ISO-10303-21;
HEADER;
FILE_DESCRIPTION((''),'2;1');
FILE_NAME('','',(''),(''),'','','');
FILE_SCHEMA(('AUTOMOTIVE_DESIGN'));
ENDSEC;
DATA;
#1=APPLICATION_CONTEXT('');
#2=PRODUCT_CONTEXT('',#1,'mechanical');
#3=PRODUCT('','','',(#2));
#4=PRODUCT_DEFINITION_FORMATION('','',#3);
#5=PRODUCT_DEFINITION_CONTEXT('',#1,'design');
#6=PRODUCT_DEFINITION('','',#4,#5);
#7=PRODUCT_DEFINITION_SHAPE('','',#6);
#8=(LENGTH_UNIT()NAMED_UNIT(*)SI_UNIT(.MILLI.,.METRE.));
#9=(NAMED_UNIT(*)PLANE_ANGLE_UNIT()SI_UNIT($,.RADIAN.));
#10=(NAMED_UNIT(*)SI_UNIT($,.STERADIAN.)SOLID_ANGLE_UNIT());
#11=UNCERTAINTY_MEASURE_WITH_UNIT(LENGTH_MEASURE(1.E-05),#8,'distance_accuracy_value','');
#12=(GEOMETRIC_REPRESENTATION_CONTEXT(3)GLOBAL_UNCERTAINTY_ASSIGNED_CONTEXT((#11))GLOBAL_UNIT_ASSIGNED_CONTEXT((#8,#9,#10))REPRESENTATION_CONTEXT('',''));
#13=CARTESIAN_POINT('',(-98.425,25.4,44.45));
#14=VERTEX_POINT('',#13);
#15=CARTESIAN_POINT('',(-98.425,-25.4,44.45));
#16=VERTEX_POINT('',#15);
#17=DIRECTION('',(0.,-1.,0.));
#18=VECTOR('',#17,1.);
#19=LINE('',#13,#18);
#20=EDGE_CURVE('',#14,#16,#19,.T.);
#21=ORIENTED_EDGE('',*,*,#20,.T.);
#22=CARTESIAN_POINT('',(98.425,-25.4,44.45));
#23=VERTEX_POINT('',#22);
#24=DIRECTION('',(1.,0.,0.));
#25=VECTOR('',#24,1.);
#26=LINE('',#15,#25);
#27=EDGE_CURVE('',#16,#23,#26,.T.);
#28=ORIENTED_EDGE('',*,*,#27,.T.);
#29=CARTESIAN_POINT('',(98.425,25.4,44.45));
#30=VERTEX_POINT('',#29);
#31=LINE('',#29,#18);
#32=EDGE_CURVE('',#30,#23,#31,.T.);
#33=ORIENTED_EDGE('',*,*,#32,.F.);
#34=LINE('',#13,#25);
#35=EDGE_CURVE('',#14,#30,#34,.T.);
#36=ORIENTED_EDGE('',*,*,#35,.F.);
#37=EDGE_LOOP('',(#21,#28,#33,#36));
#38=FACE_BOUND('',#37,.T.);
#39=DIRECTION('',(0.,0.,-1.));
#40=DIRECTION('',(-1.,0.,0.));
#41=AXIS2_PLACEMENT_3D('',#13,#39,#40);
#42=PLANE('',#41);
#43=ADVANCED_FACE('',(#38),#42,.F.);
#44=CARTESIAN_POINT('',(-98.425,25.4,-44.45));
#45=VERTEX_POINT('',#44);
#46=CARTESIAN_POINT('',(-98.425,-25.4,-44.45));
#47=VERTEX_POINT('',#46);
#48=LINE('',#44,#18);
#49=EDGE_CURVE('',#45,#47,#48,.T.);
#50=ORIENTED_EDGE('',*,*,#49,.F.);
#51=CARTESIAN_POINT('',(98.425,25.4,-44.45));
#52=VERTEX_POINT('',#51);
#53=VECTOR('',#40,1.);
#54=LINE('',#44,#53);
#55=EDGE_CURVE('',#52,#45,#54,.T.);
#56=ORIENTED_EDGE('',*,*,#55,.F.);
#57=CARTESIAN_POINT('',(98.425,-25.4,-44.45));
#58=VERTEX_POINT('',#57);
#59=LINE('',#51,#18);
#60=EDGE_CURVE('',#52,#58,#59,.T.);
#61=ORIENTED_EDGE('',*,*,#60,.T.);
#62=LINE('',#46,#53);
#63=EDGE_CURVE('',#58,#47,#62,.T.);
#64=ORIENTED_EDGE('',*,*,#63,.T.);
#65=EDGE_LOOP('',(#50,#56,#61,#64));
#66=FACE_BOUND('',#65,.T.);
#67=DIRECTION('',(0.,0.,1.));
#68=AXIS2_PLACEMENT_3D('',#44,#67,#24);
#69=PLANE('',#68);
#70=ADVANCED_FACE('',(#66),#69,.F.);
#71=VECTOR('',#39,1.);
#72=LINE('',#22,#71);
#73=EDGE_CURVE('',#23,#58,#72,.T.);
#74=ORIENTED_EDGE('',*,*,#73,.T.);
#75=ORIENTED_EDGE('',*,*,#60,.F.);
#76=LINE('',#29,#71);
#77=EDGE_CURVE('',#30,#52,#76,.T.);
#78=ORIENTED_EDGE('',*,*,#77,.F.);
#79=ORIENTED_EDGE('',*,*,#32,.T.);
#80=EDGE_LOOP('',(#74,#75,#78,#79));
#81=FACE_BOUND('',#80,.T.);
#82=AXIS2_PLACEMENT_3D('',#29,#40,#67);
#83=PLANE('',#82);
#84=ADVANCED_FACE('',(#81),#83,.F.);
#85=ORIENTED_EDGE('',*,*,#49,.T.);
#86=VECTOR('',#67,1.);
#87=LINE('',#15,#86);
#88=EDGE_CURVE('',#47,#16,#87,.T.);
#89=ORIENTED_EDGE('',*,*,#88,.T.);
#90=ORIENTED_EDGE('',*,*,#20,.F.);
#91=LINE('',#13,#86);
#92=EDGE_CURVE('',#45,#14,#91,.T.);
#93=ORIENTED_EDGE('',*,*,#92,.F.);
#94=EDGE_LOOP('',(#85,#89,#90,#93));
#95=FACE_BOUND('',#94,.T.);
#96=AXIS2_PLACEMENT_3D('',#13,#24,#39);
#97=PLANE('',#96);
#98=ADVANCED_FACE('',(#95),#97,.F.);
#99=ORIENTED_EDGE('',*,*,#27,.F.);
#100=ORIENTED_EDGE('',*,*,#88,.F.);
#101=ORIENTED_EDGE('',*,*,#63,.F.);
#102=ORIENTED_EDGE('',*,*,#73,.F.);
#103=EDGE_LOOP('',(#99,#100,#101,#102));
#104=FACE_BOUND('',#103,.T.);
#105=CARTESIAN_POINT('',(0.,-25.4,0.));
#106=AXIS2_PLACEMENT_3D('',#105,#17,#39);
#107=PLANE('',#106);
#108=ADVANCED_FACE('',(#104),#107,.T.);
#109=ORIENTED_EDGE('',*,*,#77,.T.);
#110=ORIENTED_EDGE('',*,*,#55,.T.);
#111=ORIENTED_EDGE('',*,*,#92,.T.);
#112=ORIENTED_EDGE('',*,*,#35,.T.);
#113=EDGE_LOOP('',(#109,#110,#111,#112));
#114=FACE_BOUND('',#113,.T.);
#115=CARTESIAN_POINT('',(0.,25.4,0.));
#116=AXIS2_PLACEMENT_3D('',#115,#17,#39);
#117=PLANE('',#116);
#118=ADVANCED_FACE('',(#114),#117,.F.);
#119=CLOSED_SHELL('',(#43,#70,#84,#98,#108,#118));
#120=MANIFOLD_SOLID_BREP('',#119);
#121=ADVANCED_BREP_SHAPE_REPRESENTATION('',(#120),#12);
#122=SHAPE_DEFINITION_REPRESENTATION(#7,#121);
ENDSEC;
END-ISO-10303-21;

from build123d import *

# Parameters (mm, degrees)
SKETCH1_W           = 196.85
SKETCH1_H           = 88.9
BOSS_EXTRUDE1_DEPTH = 25.4


with BuildPart() as part:
    # Sketch1 → Boss-Extrude1 (new body, symmetric)
    with BuildSketch(Plane(origin=(0, 0, 0), x_dir=(1, 0, 0), z_dir=(0, 1, 0))):
        Rectangle(SKETCH1_W, SKETCH1_H)
    extrude(amount=BOSS_EXTRUDE1_DEPTH, both=True)


solid = part.part
